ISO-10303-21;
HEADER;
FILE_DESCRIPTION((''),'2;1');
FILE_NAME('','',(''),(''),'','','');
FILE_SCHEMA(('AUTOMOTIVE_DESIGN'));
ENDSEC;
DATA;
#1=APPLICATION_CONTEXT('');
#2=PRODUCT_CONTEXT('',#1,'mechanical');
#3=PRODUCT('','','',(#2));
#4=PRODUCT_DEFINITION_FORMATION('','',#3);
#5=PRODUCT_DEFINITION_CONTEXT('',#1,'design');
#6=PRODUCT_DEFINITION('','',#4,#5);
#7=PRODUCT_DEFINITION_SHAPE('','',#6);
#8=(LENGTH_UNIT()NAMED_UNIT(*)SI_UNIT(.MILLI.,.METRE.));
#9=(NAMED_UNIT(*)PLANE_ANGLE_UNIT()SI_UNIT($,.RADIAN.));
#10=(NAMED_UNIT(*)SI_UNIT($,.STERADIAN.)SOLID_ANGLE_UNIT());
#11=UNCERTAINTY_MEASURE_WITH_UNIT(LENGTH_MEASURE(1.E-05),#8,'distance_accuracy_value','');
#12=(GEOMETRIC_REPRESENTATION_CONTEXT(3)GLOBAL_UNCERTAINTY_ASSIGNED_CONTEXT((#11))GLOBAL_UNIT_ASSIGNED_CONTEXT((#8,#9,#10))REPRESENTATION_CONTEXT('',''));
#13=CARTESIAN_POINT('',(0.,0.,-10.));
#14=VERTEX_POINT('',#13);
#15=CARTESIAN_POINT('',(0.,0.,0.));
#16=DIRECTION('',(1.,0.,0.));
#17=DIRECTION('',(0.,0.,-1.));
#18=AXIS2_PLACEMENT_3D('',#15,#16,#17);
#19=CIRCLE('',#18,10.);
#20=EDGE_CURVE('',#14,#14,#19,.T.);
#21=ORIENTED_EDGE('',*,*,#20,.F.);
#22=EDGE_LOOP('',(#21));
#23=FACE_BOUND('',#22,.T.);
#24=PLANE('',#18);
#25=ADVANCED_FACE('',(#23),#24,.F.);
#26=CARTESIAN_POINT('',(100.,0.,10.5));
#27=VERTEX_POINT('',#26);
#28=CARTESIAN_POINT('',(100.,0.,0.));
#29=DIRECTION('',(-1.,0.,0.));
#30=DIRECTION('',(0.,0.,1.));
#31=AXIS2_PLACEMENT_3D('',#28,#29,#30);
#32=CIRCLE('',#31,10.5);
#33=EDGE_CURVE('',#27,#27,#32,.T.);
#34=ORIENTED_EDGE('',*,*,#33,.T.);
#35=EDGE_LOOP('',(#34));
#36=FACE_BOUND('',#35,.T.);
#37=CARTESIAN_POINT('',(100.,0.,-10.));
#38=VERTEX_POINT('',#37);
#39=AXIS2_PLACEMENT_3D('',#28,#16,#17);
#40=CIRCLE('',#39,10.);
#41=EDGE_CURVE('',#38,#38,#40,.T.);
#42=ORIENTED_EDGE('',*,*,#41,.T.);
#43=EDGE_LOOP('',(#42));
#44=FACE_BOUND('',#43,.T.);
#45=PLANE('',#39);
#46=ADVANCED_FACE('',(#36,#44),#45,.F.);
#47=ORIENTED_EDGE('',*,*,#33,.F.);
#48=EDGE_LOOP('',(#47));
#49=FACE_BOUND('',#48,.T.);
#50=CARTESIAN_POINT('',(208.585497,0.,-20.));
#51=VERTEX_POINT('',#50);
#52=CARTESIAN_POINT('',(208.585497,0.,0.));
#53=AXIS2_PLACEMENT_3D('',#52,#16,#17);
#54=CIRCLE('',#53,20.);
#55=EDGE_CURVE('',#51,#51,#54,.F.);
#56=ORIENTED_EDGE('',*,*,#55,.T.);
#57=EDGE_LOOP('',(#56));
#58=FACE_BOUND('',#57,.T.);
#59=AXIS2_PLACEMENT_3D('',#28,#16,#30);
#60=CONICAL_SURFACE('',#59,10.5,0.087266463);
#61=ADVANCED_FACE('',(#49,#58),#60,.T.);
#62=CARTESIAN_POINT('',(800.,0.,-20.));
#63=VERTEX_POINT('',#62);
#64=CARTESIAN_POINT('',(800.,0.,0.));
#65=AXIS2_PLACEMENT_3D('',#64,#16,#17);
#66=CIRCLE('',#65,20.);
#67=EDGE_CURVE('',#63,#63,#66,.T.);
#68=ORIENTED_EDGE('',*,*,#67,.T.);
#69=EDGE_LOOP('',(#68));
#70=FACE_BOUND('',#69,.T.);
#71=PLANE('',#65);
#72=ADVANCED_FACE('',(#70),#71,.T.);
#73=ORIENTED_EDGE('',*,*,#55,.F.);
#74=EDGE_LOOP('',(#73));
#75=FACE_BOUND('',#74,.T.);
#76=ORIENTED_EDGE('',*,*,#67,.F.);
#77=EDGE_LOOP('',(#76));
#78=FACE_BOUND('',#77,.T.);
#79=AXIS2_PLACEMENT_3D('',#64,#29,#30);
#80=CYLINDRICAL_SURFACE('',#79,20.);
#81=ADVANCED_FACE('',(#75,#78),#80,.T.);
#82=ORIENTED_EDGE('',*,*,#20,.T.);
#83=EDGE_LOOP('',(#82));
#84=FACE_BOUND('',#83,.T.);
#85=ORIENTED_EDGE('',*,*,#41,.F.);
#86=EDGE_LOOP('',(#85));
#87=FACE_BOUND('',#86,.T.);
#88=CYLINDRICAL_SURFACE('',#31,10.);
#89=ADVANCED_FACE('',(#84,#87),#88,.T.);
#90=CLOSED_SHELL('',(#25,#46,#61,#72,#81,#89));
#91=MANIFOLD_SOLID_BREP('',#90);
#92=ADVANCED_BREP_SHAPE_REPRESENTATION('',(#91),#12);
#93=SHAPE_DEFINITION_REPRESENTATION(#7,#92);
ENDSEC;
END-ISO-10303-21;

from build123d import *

# Parameters (mm, degrees)
SKETCH1_R           = 10
BOSS_EXTRUDE1_DEPTH = 100
SKETCH2_R           = 20
BOSS_EXTRUDE3_DEPTH = 700
SKETCH4_OUTSIDE_W   = 324.884
SKETCH4_OUTSIDE_H   = 324.884
SKETCH4_OUTSIDE_R   = 10.5
CUT_EXTRUDE2_DEPTH  = 700
CUT_EXTRUDE2_DRAFT  = -5


with BuildPart() as part:
    # Sketch1 → Boss-Extrude1 (new body)
    with BuildSketch(Plane(origin=(0, 0, 0), x_dir=(0, 0, -1), z_dir=(1, 0, 0))):
        Circle(SKETCH1_R)
    extrude(amount=BOSS_EXTRUDE1_DEPTH)

    # Sketch2 → Boss-Extrude3 (add)
    with BuildSketch(Plane(origin=(100, 0, 0), x_dir=(0, 0, -1), z_dir=(1, 0, 0))):
        Circle(SKETCH2_R)
    extrude(amount=BOSS_EXTRUDE3_DEPTH)


with BuildPart() as cut_extrude2_tool:
    # Sketch4 outside → Cut-Extrude2 (with draft: the straight prism first)
    with BuildSketch(Plane.ZY.offset(-100)):
        Rectangle(SKETCH4_OUTSIDE_W, SKETCH4_OUTSIDE_H)
        Circle(SKETCH4_OUTSIDE_R, mode=Mode.SUBTRACT)
    extrude(amount=-CUT_EXTRUDE2_DEPTH)
    # Cut-Extrude2: the draft: its side faces are tilted about the plane it starts from
    cut_extrude2_sides = [cut_extrude2_tool.faces().sort_by_distance(p)[0] for p in [
        (450, -162.442, 0),
        (450, 0, 162.442),
        (450, 162.442, 0),
        (450, 0, -162.442),
        (450, 0, -10.5),
    ]]
    draft(cut_extrude2_sides, Plane.ZY.offset(-100), CUT_EXTRUDE2_DRAFT)


with BuildPart() as part_1:
    add(part.part)

    # Cut-Extrude2: cut by cut_extrude2_tool
    add(cut_extrude2_tool.part, mode=Mode.SUBTRACT)


solid = part_1.part
